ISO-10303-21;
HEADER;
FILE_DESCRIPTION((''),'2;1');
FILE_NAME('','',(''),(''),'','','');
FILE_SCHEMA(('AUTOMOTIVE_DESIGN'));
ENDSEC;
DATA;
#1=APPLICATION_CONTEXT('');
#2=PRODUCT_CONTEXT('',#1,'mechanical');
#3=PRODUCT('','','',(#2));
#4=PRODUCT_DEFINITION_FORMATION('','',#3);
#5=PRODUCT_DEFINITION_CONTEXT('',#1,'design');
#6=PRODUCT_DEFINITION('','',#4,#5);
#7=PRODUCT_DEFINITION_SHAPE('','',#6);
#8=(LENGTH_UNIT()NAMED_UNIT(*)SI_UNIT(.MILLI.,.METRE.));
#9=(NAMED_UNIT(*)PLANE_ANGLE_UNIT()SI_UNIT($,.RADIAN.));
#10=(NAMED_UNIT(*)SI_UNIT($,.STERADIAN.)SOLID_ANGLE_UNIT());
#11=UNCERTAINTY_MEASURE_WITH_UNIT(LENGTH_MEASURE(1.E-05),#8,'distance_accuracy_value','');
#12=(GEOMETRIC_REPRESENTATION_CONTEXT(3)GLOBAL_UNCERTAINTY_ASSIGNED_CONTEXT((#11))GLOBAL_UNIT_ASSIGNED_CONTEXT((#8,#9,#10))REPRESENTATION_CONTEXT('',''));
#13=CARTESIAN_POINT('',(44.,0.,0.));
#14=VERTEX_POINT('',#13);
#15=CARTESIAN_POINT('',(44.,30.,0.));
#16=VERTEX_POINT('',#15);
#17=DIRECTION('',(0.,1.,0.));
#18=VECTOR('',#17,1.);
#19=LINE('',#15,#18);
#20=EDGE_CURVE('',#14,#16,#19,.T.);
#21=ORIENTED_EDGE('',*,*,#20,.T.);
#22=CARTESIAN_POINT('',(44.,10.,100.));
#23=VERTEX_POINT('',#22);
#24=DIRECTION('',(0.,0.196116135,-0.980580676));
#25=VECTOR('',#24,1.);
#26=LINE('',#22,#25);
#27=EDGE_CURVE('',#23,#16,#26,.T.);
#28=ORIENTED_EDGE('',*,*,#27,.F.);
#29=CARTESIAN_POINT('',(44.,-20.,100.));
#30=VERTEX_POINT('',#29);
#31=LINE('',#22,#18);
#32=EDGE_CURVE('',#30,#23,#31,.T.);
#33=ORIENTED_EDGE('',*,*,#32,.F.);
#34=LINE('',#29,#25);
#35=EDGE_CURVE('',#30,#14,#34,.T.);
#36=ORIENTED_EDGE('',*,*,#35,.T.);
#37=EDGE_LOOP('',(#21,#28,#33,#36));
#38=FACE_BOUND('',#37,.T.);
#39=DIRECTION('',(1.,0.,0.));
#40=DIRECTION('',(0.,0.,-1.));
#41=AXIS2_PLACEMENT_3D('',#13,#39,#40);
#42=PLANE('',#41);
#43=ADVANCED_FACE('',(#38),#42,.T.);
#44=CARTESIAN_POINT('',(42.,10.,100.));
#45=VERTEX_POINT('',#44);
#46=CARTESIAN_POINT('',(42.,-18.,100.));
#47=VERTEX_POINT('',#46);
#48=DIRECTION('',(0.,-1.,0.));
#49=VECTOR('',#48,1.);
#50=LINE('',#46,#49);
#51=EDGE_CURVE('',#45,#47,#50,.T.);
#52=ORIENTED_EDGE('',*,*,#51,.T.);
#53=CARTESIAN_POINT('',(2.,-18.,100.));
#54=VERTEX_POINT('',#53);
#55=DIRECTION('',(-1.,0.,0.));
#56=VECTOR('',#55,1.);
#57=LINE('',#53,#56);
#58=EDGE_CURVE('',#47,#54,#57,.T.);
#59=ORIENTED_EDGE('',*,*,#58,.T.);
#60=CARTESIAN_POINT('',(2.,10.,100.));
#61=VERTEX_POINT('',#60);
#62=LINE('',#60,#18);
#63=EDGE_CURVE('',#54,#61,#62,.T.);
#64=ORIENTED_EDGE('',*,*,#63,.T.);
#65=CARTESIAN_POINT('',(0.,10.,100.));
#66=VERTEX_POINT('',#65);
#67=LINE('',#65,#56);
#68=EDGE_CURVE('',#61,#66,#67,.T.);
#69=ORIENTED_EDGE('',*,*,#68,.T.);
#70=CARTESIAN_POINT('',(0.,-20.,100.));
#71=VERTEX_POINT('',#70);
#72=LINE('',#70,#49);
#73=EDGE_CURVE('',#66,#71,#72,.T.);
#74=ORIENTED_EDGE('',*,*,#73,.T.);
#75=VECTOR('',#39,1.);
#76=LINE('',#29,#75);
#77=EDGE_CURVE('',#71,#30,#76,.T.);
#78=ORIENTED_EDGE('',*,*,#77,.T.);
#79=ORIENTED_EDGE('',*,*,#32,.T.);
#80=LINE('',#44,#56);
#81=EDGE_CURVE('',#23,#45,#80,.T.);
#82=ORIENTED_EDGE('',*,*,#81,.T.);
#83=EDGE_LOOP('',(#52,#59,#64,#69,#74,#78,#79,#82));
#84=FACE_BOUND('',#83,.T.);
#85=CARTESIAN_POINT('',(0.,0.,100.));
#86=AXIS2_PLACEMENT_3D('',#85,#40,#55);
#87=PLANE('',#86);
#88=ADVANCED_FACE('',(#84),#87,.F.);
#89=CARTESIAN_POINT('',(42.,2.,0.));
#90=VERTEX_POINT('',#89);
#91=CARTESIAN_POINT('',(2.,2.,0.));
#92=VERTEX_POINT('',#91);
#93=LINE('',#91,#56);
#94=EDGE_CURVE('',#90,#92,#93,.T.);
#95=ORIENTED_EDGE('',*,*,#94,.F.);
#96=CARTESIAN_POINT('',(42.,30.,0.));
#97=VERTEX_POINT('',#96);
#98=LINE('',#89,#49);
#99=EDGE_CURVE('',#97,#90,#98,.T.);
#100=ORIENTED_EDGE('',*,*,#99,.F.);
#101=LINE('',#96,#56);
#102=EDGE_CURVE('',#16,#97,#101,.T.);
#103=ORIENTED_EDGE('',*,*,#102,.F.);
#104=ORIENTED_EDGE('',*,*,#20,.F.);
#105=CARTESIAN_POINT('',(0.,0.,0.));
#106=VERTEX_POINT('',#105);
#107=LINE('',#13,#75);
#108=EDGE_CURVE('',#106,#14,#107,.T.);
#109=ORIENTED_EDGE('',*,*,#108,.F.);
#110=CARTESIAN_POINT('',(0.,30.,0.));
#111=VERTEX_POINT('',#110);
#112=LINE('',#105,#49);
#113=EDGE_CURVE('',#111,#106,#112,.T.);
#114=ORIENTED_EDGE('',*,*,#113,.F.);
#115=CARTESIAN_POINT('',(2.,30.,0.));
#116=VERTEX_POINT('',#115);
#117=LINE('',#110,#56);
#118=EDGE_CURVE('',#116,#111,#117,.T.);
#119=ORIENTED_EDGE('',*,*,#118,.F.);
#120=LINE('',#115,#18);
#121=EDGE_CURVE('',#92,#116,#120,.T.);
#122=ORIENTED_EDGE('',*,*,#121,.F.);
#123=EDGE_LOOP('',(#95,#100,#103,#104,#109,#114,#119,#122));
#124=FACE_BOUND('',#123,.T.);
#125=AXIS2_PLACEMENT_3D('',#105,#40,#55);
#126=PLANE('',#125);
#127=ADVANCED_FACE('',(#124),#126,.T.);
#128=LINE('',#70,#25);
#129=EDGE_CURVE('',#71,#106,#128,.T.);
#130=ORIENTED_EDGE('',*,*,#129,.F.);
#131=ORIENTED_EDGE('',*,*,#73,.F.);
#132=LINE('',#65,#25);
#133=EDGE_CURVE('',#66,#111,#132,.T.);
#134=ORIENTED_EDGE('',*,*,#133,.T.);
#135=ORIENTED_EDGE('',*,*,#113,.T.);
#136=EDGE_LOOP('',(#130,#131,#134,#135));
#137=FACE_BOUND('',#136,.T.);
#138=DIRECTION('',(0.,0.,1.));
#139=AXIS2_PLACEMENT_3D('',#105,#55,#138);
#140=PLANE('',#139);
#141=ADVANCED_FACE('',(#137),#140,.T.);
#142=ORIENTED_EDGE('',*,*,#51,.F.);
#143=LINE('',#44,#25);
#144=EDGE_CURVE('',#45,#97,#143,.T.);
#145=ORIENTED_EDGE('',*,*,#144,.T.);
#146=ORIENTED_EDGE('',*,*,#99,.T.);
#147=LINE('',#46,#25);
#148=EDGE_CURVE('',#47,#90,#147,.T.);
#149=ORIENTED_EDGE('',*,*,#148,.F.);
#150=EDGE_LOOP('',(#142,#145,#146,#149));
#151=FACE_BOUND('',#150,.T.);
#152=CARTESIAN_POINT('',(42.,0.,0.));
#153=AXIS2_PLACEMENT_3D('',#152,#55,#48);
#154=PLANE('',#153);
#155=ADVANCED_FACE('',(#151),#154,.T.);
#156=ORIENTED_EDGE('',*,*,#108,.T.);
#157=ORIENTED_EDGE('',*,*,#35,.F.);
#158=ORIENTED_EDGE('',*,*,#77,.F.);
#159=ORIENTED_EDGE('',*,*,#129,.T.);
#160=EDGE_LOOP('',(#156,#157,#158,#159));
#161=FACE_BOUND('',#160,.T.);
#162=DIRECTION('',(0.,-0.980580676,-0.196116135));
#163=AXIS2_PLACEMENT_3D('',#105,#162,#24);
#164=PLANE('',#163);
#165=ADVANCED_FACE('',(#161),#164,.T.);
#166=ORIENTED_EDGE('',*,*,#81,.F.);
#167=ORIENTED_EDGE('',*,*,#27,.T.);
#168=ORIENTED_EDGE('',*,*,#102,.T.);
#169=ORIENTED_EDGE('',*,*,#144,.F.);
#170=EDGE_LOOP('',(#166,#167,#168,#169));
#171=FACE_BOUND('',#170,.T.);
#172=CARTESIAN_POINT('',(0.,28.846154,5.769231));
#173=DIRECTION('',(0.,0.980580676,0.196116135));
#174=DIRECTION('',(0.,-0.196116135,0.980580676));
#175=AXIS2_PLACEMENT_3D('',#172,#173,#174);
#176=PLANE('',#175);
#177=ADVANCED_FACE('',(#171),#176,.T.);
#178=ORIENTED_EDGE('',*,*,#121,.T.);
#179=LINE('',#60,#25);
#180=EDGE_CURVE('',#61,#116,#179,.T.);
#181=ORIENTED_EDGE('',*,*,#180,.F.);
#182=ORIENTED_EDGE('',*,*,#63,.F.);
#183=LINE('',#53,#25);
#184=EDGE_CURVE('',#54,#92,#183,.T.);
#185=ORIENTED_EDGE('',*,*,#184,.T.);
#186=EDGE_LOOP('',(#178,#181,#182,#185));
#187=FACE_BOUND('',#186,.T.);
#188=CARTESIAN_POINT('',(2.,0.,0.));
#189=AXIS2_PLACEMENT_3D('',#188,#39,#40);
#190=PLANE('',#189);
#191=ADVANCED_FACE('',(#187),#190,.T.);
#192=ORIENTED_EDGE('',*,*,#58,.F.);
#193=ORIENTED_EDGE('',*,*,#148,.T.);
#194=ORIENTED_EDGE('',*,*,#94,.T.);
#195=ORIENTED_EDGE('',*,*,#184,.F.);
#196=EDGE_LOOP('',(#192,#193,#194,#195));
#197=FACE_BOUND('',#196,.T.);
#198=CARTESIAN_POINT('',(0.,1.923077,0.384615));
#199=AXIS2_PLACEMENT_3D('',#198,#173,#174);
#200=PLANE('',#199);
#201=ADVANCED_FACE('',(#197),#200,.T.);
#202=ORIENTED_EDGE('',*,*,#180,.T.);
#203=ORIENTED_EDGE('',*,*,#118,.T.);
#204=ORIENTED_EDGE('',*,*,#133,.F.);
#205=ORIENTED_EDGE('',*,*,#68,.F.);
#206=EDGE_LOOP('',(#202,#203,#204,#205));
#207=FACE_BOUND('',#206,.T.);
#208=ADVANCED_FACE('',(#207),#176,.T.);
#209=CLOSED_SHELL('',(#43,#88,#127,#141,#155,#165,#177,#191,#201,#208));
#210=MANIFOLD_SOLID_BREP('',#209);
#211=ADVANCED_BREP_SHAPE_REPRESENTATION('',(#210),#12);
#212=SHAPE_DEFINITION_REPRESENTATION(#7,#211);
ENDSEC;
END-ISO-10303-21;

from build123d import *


with BuildPart() as part:
    # Sketch2 → Loft3 section 0
    with BuildSketch(Plane.XY.offset(100)):
        with BuildLine():
            Line((44, 10), (44, -20))
            Line((44, -20), (0, -20))
            Line((0, -20), (0, 10))
            Line((0, 10), (2, 10))
            Line((2, 10), (2, -18))
            Line((2, -18), (42, -18))
            Line((42, -18), (42, 10))
            Line((42, 10), (44, 10))
        make_face()
    # Sketch1 → Loft3 section 1
    with BuildSketch(Plane.XY):
        with BuildLine():
            Line((44, 30), (44, 0))
            Line((44, 0), (0, 0))
            Line((0, 0), (0, 30))
            Line((0, 30), (2, 30))
            Line((2, 30), (2, 2))
            Line((2, 2), (42, 2))
            Line((42, 2), (42, 30))
            Line((42, 30), (44, 30))
        make_face()
    loft()


solid = part.part
